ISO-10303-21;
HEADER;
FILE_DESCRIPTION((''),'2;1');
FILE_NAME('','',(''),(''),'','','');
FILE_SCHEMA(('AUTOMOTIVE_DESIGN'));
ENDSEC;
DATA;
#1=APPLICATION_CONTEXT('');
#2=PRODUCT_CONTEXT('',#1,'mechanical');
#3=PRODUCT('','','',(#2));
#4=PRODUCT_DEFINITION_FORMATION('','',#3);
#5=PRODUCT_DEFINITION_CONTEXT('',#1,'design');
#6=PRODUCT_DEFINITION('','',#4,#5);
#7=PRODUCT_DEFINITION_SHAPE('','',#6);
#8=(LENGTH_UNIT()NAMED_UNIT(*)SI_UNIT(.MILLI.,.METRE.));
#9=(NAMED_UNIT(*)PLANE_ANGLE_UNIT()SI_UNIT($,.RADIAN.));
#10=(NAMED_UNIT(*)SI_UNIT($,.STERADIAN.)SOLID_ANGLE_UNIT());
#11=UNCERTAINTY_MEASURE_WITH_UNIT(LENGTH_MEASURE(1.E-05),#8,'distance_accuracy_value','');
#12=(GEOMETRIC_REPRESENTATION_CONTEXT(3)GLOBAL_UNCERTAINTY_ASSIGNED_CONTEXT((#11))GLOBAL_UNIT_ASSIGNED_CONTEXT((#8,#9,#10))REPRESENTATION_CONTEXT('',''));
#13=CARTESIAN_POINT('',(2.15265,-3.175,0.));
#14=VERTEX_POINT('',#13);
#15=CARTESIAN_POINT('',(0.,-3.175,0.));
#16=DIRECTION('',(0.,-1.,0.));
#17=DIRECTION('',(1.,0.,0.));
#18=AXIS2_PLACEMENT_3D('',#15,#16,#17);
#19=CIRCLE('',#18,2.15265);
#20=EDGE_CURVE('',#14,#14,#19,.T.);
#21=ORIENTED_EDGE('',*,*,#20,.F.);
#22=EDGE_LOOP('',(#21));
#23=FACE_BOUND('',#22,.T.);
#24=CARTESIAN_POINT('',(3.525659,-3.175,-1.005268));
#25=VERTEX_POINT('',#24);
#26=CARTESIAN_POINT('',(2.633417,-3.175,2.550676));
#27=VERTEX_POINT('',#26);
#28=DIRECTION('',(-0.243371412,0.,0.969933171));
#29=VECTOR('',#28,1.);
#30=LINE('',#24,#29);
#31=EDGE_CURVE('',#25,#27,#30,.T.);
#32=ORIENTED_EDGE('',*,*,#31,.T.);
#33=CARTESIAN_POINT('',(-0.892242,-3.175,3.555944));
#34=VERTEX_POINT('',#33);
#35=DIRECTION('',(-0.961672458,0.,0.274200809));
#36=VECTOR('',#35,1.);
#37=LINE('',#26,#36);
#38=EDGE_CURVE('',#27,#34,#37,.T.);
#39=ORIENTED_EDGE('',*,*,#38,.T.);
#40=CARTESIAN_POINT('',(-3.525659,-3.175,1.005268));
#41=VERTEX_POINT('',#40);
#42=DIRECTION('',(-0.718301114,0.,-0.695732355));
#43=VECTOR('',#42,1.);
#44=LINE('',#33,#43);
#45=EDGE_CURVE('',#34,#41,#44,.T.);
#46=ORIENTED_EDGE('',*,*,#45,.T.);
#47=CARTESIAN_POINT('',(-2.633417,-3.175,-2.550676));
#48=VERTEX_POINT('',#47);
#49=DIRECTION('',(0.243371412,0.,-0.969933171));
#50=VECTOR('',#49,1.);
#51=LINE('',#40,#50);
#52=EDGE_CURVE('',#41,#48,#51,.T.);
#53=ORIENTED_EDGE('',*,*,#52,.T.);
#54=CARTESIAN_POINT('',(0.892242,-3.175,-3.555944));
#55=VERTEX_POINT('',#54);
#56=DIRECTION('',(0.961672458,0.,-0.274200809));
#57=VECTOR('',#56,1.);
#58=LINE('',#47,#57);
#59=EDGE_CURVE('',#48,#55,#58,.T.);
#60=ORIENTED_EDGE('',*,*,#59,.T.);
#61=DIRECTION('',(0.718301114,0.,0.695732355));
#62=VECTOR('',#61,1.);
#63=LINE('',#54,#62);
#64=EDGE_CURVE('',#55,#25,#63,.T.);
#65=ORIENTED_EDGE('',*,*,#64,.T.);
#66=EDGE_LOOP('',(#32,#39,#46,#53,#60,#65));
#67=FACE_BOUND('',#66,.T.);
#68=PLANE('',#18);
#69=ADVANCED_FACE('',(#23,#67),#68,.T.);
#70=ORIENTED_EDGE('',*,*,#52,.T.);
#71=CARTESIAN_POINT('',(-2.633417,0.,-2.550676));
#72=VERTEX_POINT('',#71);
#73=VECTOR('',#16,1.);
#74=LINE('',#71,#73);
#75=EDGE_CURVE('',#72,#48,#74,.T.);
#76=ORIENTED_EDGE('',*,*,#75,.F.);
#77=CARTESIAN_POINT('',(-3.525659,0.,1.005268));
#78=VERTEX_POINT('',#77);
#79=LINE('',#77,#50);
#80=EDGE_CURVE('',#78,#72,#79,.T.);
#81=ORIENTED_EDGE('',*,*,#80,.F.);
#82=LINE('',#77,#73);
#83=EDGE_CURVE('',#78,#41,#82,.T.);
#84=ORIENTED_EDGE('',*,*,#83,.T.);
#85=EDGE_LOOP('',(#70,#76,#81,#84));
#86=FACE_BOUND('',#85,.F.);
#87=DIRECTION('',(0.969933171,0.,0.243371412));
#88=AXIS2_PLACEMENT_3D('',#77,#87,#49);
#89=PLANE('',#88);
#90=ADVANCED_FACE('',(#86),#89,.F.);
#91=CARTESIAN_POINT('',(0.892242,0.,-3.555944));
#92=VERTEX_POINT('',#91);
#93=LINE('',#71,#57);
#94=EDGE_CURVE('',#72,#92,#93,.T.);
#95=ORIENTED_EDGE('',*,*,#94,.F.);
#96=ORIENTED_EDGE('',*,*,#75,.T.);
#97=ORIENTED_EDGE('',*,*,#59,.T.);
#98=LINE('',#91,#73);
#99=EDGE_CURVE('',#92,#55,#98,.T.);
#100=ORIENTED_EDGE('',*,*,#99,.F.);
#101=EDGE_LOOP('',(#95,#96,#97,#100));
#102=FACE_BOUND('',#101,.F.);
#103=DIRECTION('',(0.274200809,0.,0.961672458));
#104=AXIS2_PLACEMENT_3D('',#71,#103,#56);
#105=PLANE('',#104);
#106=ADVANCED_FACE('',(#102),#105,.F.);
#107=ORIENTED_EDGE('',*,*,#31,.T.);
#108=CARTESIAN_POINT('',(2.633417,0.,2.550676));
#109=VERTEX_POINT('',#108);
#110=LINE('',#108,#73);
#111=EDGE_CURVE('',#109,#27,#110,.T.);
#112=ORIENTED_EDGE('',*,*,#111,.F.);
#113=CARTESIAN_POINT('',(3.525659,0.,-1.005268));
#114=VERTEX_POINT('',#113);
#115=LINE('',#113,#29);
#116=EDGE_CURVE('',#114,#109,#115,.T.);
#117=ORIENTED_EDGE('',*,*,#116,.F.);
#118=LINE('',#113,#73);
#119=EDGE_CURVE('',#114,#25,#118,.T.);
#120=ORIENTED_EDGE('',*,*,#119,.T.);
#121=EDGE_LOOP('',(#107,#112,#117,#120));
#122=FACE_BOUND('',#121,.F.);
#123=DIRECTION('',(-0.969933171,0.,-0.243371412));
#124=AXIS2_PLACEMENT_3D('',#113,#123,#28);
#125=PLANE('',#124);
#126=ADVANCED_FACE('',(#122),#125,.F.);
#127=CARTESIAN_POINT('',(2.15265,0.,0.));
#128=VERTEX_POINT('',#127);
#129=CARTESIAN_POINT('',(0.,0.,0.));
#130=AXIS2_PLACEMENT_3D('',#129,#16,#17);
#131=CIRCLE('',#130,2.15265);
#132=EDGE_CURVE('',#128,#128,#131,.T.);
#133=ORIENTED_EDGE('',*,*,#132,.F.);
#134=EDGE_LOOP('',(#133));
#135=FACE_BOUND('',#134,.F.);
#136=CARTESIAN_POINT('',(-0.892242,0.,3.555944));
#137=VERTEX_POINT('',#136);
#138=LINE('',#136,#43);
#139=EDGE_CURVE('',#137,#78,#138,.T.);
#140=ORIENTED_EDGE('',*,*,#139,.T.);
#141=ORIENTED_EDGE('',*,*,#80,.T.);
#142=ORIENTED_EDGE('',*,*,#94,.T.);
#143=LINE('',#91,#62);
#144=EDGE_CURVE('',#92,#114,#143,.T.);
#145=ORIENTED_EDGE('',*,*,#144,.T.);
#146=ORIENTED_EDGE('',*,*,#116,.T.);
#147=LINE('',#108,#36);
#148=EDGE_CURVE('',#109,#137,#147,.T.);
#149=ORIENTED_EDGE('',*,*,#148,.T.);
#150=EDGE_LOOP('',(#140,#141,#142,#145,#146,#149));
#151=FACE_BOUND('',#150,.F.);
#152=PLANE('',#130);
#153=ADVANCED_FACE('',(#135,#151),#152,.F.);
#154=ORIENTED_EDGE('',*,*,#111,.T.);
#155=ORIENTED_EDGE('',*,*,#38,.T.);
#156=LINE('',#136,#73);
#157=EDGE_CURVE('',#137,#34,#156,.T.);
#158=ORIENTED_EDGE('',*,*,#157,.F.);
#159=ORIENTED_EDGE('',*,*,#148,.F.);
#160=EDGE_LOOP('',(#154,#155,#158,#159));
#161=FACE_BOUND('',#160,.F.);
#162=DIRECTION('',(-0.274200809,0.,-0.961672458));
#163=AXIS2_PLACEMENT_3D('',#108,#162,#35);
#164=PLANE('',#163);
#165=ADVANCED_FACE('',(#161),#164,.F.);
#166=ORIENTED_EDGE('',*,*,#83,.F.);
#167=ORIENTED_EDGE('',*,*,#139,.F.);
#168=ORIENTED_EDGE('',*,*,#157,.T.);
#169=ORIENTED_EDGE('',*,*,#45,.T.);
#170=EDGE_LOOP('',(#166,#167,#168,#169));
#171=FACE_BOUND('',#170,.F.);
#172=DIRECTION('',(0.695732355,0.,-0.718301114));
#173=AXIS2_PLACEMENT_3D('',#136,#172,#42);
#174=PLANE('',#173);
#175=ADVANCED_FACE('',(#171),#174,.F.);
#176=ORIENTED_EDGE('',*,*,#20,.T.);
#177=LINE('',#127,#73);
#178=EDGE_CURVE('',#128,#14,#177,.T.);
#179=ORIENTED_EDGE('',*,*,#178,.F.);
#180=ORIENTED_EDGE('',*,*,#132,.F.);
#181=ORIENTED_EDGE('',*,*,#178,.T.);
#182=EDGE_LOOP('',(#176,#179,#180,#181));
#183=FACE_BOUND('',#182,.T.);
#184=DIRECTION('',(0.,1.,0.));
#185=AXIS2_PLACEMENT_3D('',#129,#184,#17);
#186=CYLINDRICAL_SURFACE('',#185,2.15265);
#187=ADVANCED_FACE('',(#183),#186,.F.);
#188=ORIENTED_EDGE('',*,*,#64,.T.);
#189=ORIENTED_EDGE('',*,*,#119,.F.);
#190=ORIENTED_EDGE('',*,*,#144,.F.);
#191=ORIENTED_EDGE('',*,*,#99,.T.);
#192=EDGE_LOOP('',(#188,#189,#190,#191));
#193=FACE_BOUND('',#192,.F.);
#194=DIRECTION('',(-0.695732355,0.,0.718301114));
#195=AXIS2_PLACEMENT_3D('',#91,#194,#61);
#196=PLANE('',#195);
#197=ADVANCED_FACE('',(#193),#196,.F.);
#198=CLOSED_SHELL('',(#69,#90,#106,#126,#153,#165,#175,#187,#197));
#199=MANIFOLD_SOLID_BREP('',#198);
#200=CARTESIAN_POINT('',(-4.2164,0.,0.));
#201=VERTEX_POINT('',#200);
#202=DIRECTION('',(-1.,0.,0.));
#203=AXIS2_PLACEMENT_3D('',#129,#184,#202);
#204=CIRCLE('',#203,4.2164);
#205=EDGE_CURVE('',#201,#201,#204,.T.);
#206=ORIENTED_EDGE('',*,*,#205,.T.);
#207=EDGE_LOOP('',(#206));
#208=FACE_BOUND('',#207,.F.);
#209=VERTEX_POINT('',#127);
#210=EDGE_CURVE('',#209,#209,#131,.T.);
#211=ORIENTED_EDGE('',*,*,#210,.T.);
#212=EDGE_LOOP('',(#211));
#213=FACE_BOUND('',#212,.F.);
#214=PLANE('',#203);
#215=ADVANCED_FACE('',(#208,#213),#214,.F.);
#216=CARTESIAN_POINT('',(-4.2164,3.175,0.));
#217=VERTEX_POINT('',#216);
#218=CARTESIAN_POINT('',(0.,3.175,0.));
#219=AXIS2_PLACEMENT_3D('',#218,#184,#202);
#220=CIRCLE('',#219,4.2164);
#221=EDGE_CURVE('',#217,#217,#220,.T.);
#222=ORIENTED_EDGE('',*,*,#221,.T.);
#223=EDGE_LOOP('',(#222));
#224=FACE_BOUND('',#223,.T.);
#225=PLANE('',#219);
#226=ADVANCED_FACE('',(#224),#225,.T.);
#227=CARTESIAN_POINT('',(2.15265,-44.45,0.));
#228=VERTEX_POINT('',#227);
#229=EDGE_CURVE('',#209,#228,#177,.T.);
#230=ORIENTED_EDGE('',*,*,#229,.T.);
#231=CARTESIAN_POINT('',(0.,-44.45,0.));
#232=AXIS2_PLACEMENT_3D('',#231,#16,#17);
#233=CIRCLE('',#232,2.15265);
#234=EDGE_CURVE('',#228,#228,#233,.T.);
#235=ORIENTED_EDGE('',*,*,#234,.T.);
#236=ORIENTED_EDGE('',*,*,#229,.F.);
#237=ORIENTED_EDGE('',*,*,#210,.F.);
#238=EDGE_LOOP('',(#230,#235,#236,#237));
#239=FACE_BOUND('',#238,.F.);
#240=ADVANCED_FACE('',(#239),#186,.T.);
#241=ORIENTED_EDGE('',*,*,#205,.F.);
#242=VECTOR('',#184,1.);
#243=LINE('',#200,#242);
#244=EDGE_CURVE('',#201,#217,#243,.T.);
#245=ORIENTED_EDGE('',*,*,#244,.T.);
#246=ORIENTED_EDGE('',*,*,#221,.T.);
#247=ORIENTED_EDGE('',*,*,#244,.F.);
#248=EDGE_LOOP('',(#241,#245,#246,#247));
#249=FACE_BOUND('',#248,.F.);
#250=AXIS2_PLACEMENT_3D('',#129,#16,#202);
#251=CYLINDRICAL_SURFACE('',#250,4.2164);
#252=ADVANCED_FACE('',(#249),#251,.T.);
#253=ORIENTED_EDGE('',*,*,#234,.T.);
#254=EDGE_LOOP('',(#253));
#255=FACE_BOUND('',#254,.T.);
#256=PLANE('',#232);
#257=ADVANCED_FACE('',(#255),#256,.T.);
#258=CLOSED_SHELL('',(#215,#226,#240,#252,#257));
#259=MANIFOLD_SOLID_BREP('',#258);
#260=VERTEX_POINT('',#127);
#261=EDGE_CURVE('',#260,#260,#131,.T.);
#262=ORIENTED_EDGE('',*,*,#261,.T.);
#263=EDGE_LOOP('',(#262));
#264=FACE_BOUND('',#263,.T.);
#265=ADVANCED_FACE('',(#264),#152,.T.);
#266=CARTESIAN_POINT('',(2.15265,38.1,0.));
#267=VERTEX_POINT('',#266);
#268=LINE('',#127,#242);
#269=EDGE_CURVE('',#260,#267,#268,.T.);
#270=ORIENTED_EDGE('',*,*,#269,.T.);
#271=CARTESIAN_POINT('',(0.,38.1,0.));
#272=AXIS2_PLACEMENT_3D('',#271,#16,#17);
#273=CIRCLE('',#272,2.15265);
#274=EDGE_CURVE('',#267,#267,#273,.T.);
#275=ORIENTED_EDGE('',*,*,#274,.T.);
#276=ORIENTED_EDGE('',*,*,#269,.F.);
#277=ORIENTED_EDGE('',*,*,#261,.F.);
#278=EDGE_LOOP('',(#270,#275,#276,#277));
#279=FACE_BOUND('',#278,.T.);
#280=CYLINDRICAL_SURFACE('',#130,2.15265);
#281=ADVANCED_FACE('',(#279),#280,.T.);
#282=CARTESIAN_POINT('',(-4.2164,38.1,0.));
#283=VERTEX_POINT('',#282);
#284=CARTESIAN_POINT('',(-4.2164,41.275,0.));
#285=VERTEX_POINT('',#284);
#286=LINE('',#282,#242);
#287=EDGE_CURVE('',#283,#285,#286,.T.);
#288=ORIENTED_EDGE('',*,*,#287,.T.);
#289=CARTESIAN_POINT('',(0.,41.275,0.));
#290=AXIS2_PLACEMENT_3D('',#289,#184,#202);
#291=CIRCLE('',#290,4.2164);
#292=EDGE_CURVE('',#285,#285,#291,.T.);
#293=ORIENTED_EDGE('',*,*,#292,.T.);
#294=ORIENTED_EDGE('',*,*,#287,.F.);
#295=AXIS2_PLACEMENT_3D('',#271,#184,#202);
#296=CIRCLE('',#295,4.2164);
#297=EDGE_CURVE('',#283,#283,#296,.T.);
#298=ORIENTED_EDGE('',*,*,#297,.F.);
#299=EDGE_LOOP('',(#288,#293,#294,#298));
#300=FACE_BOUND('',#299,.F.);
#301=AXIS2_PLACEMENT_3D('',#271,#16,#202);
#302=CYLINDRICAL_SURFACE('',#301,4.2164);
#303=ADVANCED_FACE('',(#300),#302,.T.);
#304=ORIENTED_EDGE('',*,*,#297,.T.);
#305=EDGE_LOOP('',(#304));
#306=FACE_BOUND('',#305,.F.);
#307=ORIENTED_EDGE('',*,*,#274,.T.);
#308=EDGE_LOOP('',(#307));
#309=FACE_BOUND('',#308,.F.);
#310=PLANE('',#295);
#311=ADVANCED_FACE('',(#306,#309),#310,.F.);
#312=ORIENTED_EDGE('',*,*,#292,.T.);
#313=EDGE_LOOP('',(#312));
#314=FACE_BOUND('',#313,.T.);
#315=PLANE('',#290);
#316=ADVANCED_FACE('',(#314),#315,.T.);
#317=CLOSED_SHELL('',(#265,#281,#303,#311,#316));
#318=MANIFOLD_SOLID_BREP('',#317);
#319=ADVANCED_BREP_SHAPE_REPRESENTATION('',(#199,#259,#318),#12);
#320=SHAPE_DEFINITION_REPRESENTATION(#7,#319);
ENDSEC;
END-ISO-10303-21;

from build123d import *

# Parameters (mm, degrees)
F0_R     = 2.15265
F1_DEPTH = 44.45
F2_R     = 4.2164
F3_DEPTH = 3.175
F4_R     = 2.15265
F5_DEPTH = 3.175
F6_R     = 2.15265
F7_DEPTH = 38.1
F8_R     = 4.2164
F9_DEPTH = 3.175


with BuildPart() as f1:
    # F0 (on Front) → F1 (new body)
    with BuildSketch(Plane.XZ):
        Circle(F0_R)
    extrude(amount=F1_DEPTH)

    # F2 (on face) → F3 (join)
    with BuildSketch(Plane(origin=(0, 0, 0), x_dir=(-1, 0, 0), z_dir=(0, 1, 0))):
        Circle(F2_R)
    extrude(amount=F3_DEPTH)


with BuildPart() as f5:
    # F4 (on Front) → F5 (new body)
    with BuildSketch(Plane.XZ):
        Polygon((0.892242, -3.555944), (3.525659, -1.005268), (2.633417, 2.550676), (-0.892242, 3.555944), (-3.525659, 1.005268), (-2.633417, -2.550676), align=None)
        Circle(F4_R, mode=Mode.SUBTRACT)
    extrude(amount=F5_DEPTH)


with BuildPart() as f7:
    # F6 (on Front) → F7 (new body)
    with BuildSketch(Plane.XZ):
        Circle(F6_R)
    extrude(amount=-F7_DEPTH)

    # F8 (on face) → F9 (join)
    with BuildSketch(Plane(origin=(0, 38.1, 0), x_dir=(-1, 0, 0), z_dir=(0, 1, 0))):
        Circle(F8_R)
    extrude(amount=F9_DEPTH)


solid = Compound([f1.part, f5.part, f7.part])
